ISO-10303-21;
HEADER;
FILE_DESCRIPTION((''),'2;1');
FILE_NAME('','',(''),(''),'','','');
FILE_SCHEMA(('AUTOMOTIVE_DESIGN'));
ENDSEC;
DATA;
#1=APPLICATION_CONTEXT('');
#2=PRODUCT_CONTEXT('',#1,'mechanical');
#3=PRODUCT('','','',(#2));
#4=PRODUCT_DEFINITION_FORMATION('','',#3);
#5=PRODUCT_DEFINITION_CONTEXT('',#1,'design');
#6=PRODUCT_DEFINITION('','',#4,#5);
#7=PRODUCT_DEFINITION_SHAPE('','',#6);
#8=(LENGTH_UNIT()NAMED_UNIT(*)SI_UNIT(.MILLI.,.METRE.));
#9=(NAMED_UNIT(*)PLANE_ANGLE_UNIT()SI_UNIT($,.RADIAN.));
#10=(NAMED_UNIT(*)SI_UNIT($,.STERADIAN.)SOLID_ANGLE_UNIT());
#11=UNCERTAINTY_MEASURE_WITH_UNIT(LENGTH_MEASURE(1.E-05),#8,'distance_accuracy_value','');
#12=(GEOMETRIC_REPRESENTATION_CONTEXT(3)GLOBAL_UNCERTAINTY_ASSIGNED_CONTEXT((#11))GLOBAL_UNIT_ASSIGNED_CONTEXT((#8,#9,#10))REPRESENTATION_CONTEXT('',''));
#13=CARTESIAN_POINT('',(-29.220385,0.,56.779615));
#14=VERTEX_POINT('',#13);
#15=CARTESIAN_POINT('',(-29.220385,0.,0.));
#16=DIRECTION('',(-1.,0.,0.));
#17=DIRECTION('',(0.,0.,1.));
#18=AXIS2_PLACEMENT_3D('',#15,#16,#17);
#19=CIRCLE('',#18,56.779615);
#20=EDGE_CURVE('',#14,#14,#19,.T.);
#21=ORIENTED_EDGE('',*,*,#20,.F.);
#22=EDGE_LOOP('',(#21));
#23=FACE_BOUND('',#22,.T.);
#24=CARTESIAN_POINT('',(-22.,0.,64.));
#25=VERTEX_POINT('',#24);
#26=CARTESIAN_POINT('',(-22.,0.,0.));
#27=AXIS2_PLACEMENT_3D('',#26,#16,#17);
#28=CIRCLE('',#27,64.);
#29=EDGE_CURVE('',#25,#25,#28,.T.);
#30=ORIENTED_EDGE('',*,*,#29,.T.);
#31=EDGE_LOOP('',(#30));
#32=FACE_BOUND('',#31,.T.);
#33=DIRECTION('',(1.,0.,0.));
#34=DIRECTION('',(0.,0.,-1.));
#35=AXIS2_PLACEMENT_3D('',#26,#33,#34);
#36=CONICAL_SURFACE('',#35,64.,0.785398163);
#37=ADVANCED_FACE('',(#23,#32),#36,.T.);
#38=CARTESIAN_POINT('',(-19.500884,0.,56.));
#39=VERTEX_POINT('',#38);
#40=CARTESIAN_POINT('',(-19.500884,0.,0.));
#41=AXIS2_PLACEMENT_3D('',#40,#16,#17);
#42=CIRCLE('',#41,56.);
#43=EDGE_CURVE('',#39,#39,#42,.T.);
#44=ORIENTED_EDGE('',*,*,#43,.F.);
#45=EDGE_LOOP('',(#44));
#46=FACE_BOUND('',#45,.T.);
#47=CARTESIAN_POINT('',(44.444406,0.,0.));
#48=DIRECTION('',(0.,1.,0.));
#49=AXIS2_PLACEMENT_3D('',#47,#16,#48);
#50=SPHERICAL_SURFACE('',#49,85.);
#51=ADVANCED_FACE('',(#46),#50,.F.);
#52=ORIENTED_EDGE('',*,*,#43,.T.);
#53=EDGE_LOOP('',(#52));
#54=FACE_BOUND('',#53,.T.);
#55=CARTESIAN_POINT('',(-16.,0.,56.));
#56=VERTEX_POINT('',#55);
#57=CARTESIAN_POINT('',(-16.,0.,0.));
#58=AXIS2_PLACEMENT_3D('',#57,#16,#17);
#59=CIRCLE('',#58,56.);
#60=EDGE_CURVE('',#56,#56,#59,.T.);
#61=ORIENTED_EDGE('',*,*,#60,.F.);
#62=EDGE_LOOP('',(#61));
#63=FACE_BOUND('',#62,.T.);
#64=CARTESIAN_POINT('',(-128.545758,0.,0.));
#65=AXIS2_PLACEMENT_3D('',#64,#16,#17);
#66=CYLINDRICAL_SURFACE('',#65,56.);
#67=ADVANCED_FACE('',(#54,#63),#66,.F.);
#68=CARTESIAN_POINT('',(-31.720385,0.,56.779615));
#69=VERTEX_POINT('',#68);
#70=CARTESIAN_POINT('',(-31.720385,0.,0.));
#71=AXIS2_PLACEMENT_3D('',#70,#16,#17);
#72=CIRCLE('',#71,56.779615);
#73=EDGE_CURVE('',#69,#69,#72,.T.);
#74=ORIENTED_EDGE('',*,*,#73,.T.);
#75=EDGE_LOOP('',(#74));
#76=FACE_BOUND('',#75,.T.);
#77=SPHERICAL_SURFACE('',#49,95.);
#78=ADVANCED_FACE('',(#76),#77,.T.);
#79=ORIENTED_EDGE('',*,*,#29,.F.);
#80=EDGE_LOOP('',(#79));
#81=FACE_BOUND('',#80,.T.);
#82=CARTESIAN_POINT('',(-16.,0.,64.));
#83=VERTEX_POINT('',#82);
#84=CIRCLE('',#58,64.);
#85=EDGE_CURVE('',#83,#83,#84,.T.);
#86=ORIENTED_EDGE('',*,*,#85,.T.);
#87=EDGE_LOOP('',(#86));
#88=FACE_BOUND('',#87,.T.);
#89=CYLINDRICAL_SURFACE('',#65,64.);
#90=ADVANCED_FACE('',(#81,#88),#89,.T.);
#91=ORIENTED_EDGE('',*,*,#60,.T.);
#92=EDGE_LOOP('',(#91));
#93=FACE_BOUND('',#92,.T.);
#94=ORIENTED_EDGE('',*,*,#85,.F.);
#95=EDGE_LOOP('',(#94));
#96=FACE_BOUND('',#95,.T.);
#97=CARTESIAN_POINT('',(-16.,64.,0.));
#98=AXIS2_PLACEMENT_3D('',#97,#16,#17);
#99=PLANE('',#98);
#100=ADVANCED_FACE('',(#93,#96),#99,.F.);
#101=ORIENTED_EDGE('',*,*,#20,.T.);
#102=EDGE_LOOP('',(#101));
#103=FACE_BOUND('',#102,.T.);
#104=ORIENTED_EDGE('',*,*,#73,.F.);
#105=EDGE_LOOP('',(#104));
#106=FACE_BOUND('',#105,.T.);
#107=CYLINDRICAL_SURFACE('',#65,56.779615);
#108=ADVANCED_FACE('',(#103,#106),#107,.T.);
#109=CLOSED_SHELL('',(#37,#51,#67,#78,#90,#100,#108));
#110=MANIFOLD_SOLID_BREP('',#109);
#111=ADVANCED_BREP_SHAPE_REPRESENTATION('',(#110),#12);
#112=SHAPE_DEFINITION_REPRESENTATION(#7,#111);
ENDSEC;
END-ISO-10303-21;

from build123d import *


with BuildPart() as part:
    # Sketch1 → Revolve1 (revolve)
    with BuildSketch(Plane.XY, mode=Mode.PRIVATE) as revolve1_sk:
        with BuildLine():
            Line((-31.720385191, 56.779614809), (-29.220385191, 56.779614809))
            Line((-29.220385191, 56.779614809), (-22, 64))
            Line((-22, 64), (-16, 64))
            Line((-16, 64), (-16, 56))
            Line((-16, 56), (-19.500883608, 56))
            ThreePointArc((-19.500883608, 56), (-35.117990054, 29.913629212), (-40.555594493, 0))
            Line((-40.555594493, 0), (-50.555594493, 0))
            ThreePointArc((-50.555594493, 0), (-45.723923512, 29.911075571), (-31.720385191, 56.779614809))
        make_face()
    revolve(revolve1_sk.sketch.rotate(Axis((-128.545758478, 0, 0), (1, 0, 0)), 90), axis=Axis((-128.545758478, 0, 0), (1, 0, 0)))


solid = part.part
